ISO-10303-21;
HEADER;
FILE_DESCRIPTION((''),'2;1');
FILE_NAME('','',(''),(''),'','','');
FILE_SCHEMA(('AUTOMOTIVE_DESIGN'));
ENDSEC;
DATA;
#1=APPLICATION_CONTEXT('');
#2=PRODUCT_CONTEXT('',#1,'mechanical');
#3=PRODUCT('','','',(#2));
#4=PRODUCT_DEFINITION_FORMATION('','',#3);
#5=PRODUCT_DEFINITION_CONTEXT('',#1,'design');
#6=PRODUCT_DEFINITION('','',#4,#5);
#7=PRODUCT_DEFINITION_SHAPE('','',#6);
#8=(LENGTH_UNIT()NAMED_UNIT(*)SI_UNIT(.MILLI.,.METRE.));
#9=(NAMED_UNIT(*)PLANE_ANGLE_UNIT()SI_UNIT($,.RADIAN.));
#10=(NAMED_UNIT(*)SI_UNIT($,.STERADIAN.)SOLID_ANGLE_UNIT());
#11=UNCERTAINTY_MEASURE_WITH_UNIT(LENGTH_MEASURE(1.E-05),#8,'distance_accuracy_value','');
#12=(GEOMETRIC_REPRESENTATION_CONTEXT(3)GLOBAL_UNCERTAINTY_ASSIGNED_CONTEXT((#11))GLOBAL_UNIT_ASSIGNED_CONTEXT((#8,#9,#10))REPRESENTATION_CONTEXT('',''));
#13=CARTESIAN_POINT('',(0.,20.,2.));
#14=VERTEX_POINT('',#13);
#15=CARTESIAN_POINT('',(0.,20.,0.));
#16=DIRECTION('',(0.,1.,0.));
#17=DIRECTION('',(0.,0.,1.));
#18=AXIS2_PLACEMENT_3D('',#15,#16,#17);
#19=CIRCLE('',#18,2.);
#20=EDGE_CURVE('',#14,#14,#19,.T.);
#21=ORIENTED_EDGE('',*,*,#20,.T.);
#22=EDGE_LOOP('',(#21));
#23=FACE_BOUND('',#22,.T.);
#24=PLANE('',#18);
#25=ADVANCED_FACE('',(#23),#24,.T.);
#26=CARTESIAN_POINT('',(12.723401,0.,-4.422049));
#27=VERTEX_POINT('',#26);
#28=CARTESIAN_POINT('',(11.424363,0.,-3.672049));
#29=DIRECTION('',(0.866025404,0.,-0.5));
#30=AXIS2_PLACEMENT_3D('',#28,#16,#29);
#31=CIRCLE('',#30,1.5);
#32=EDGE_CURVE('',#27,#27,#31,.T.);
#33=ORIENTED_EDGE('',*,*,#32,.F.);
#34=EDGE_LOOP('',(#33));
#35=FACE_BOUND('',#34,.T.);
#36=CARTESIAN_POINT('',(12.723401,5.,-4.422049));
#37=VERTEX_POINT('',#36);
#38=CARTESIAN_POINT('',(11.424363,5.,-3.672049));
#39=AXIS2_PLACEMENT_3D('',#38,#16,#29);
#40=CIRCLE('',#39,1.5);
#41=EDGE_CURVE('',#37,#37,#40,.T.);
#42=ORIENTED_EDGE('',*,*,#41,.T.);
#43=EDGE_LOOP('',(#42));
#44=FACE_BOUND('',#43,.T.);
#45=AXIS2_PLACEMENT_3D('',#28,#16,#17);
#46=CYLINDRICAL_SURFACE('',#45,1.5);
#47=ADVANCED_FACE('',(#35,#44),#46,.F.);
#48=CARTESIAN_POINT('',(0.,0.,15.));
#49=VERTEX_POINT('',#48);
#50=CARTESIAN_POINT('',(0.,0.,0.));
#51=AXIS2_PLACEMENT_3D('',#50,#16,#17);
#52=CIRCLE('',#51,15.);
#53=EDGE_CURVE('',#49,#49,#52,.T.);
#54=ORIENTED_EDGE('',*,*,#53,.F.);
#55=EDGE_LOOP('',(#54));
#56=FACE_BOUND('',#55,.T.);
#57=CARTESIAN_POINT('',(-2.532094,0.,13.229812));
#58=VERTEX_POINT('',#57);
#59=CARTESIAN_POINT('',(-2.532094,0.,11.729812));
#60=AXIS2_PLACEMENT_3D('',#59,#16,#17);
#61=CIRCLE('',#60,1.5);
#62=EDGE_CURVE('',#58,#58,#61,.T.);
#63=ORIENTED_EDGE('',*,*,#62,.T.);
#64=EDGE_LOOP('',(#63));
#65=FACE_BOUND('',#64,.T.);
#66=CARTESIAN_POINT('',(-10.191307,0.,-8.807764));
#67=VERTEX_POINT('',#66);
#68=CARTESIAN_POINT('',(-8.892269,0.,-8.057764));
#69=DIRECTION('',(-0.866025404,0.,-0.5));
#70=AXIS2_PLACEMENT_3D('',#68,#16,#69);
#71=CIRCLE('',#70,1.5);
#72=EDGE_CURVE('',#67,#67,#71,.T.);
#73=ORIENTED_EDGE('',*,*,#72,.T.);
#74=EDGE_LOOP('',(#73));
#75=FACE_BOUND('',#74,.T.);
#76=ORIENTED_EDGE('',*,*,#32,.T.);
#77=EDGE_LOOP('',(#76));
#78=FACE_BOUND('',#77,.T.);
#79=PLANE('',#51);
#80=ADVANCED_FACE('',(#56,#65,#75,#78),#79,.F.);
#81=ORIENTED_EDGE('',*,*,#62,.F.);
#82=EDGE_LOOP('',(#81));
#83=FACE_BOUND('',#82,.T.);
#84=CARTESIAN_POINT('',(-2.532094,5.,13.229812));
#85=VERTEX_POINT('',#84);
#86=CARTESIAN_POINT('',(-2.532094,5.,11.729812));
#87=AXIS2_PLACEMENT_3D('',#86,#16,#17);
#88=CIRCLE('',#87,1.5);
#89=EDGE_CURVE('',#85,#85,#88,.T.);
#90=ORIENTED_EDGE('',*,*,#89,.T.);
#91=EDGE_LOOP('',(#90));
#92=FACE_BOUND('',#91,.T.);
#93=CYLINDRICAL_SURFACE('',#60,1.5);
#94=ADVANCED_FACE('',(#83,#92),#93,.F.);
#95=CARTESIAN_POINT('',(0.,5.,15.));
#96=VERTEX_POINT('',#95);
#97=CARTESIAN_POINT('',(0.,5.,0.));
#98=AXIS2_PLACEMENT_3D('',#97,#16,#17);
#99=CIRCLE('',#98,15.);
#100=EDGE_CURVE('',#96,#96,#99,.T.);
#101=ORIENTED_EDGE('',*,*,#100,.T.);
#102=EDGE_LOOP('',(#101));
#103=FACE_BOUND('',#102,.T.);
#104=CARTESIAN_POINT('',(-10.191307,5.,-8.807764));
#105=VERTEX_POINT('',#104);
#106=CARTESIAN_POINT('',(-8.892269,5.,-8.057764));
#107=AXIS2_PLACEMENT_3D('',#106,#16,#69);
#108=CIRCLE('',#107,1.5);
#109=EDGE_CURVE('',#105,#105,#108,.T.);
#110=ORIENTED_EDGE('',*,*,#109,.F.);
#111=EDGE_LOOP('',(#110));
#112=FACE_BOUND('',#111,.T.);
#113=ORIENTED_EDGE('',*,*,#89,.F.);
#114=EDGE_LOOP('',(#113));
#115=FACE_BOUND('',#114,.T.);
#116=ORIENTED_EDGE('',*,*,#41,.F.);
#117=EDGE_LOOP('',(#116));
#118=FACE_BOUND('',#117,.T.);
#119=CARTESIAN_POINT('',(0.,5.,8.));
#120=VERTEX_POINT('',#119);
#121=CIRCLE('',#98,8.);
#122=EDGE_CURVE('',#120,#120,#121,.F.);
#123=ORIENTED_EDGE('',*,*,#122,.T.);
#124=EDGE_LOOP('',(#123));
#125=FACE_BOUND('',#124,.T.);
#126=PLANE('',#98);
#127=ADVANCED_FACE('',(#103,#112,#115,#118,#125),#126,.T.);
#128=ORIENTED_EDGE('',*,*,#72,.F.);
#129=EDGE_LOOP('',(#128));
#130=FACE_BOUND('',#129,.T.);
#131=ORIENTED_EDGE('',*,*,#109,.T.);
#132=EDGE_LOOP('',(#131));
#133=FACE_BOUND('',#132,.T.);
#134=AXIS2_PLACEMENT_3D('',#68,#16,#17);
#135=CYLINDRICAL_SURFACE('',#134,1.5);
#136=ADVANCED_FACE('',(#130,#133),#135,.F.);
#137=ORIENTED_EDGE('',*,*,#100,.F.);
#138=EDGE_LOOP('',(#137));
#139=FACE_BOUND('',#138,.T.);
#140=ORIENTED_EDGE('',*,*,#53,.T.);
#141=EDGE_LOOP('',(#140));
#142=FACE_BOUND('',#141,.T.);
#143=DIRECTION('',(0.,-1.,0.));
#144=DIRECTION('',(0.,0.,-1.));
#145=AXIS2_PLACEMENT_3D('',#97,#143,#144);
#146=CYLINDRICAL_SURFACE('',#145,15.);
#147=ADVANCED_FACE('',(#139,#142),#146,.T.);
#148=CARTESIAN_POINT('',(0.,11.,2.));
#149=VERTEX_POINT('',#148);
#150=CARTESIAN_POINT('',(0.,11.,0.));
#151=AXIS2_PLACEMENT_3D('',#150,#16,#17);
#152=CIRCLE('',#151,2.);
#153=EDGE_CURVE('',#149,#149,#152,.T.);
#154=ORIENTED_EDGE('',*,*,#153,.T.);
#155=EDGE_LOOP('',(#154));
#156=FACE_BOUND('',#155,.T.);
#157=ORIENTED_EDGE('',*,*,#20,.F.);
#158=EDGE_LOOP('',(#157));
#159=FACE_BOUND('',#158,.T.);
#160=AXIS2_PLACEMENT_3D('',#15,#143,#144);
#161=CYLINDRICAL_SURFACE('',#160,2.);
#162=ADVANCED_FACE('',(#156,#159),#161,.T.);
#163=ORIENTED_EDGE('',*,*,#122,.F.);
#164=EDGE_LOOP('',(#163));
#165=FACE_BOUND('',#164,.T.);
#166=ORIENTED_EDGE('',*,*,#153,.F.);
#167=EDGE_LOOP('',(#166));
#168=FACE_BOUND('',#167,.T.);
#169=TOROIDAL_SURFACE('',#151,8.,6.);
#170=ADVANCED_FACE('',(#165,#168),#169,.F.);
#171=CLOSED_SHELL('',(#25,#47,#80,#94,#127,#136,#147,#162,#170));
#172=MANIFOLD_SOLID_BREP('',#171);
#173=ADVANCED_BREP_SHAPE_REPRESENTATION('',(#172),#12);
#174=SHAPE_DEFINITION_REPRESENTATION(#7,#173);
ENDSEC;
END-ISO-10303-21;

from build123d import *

# Parameters (mm, degrees)
SKETCH1_R           = 15
BOSS_EXTRUDE1_DEPTH = 5
SKETCH2_R           = 2
BOSS_EXTRUDE2_DEPTH = 15
FILLET1_R           = 6
SKETCH3_R           = 1.5
CUT_EXTRUDE1_DEPTH  = 26.980762114
CIRPATTERN1_COUNT   = 3


with BuildPart() as part:
    # Sketch1 → Boss-Extrude1 (new body)
    with BuildSketch(Plane(origin=(0, 0, 0), x_dir=(1, 0, 0), z_dir=(0, 1, 0))):
        Circle(SKETCH1_R)
    extrude(amount=BOSS_EXTRUDE1_DEPTH)

    # Sketch2 → Boss-Extrude2 (add)
    with BuildSketch(Plane(origin=(0, 5, 0), x_dir=(1, 0, 0), z_dir=(0, 1, 0))):
        Circle(SKETCH2_R)
    extrude(amount=BOSS_EXTRUDE2_DEPTH)

    # Fillet1
    fillet1_edges = [part.edges().sort_by_distance(p)[0] for p in [
        (-2, 5, 0),
    ]]
    fillet(fillet1_edges, radius=FILLET1_R)

    # Sketch3 → Cut-Extrude1 (cut, through all)
    with BuildSketch(Plane(origin=(0, 5, 0), x_dir=(1, 0, 0), z_dir=(0, 1, 0))):
        with Locations((-2.532093929, -11.72981246)):
            Circle(SKETCH3_R)
    cut_extrude1 = extrude(amount=-CUT_EXTRUDE1_DEPTH, mode=Mode.SUBTRACT)

    # CirPattern1: Cut-Extrude1 ×3 about axis
    cirpattern1_axis = Axis((0, 20, 0), (0, -1, 0))
    for i in range(1, CIRPATTERN1_COUNT):
        add(cut_extrude1.rotate(cirpattern1_axis, i * 360 / CIRPATTERN1_COUNT), mode=Mode.SUBTRACT)


solid = part.part
